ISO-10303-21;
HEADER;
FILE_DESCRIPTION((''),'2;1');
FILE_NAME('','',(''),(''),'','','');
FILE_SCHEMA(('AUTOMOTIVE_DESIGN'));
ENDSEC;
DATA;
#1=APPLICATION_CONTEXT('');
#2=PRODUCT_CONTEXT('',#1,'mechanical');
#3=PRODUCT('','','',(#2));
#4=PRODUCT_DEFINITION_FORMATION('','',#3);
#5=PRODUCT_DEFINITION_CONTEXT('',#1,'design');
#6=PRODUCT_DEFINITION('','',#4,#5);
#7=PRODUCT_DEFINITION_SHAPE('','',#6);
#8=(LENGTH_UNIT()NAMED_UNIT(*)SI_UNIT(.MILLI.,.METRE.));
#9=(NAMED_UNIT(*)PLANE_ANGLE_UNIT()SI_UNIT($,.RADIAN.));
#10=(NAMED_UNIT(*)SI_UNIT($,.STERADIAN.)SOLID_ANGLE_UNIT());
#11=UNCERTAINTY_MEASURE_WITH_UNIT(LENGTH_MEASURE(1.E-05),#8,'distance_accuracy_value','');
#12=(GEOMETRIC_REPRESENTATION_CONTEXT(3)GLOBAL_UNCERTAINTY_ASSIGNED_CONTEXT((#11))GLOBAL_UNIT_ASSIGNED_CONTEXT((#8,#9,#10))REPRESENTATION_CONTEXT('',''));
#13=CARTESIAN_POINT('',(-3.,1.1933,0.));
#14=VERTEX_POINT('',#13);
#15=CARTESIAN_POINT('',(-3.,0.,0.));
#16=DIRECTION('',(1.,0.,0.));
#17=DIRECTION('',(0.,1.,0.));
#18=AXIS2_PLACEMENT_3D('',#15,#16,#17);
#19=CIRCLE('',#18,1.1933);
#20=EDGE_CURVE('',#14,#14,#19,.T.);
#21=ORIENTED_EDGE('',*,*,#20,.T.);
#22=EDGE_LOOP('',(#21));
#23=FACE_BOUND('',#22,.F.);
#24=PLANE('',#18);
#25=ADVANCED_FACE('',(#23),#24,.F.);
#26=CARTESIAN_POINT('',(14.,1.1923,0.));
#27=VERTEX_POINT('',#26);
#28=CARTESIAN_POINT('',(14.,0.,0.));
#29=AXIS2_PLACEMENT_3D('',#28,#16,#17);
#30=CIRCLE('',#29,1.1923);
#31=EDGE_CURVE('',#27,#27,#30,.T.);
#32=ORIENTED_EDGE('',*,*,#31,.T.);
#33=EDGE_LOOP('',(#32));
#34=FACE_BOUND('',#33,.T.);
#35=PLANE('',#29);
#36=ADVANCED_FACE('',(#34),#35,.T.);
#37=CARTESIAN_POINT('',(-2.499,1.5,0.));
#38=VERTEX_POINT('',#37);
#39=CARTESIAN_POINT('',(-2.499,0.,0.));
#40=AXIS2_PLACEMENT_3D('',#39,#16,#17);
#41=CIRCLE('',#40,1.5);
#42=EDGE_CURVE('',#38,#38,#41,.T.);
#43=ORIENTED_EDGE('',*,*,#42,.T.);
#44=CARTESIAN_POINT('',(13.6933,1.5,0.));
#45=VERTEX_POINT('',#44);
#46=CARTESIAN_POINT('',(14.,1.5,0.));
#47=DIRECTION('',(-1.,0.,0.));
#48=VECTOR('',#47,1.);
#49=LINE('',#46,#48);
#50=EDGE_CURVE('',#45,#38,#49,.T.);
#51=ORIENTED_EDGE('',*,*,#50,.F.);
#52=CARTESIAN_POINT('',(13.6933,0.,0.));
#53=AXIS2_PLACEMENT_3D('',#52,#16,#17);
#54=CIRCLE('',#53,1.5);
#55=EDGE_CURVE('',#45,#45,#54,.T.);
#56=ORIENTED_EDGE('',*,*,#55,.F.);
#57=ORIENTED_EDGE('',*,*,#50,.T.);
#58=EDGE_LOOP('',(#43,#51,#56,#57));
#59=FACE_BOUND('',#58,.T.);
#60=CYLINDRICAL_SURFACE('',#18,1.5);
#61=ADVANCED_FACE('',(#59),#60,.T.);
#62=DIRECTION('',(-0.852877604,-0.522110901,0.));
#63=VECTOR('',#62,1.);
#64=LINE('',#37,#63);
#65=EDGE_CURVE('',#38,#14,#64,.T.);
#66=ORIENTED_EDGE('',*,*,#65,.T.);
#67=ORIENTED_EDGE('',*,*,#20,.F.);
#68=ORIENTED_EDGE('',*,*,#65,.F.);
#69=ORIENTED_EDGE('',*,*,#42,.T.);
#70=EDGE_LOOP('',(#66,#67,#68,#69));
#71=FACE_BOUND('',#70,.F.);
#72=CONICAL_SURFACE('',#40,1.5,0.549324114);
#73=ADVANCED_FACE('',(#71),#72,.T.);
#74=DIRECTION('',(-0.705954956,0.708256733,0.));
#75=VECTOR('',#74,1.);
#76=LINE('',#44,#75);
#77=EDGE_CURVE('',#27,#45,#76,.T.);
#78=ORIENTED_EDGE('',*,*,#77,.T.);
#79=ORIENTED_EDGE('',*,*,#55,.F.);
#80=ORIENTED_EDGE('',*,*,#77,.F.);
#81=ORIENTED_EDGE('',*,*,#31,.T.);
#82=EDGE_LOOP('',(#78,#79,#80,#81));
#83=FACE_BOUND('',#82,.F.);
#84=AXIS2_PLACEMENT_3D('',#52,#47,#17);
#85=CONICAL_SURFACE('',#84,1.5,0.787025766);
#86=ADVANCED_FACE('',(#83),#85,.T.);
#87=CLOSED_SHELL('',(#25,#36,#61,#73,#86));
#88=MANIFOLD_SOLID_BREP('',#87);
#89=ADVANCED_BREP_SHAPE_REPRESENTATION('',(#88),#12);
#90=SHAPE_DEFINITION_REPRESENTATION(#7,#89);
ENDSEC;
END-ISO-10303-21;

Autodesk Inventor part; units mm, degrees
ref_plane "YZ Plane" through (0, 0, 0) normal (1, 0, 0) x (0, 1, 0)
ref_plane "XZ Plane" through (0, 0, 0) normal (0, 1, 0) x (-1, 0, 0)
sketch "Sketch1" plane through (0, 0, 0) normal (0, 0, 1) x (1, 0, 0)
  line L0 (14, 1.5) -> (14, 0)
  line L1 (-3, 0) -> (14, 0)
  line L2 (-6.4, 0) -> (17.4, 0) projected
  line L3 (0, 1.8) -> (0, -0.3) projected
  line L4 (-3, 1.5) -> (-3, 0)
  line L5 (2, 1.5) -> (2, 0) construction
  line L6 (-6.4, 0) -> (17.4, 0) projected
  line L7 (-3, 1.5) -> (14, 1.5)
  dimension "d4" = 3
  dimension "d5" = 14
  dimension "d6" = 12
  dimension "d13" = 3
revolve "Body" add sketch "Sketch1" angle 360 about axis through (-3, 0, 0) along (1, 0, 0)
thread "Thread1" size "M3x0.5" class "6g" standard "ISO Metric profile" length 3
thread "Thread2" size "M3x0.5" class "6g" standard "ISO Metric profile" length 12.3067
chamfer "Chamfer1" distance 0.3077 distance2 0.3067 1 edges at (14, -1.5, 0) measured on face at (14, -0.7567, -0.3972)
chamfer "Chamfer2" distance 0.501 distance2 0.3067 1 edges at (-3, -1.5, 0) measured on face at (8.1289, 1.4951, -0.1207)
ref_plane "Work Plane1" through (2.75, 0, 0) normal (0, -1, 0) x (1, 0, 0)
equation "\"d4\" = KOH"
equation "\"d5\" = NLG"
equation "\"d6\" = GEL"
equation "\"d13\" = GD"
equation "\"d1\" = KOH"
equation "\"d7\" = GEL + GAL"
equation "\"d10\" = -0.5 * SPD + 0.5 * GD"
equation "\"d12\" = -0.5 * SPD + 0.5 * GD"
equation "\"NLG\" = 14"
equation "\"GEL\" = 12"
equation "\"GAL\" = 0.61345 * PTC"
equation "\"SPD\" = NND - 1.2269 * PTC"
equation "\"d0\" = GD"
equation "\"GUL\" = 0.61345 * PTC"
equation "\"KOH\" = NND"
equation "\"GD\" = NND"
equation "\"BDM\" = NND"
equation "\"GUL1\" = 0.5"
equation "\"GAL1\" = 0.5"
equation "\"d80\" = -GUL - GEL"
equation "\"d86\" = -KOH + GUL1"
equation "\"PTC\" = 0.5"
equation "\"THREADDIA\" = 3"
equation "\"TOA\" = 30deg"
equation "\"NND\" = 3"
equation "\"GD1\" = THREADDIA - 1.2269 * PTC"
properties part number "CSN 02 1174 - A M3 x 14" material "Steel, Mild"
